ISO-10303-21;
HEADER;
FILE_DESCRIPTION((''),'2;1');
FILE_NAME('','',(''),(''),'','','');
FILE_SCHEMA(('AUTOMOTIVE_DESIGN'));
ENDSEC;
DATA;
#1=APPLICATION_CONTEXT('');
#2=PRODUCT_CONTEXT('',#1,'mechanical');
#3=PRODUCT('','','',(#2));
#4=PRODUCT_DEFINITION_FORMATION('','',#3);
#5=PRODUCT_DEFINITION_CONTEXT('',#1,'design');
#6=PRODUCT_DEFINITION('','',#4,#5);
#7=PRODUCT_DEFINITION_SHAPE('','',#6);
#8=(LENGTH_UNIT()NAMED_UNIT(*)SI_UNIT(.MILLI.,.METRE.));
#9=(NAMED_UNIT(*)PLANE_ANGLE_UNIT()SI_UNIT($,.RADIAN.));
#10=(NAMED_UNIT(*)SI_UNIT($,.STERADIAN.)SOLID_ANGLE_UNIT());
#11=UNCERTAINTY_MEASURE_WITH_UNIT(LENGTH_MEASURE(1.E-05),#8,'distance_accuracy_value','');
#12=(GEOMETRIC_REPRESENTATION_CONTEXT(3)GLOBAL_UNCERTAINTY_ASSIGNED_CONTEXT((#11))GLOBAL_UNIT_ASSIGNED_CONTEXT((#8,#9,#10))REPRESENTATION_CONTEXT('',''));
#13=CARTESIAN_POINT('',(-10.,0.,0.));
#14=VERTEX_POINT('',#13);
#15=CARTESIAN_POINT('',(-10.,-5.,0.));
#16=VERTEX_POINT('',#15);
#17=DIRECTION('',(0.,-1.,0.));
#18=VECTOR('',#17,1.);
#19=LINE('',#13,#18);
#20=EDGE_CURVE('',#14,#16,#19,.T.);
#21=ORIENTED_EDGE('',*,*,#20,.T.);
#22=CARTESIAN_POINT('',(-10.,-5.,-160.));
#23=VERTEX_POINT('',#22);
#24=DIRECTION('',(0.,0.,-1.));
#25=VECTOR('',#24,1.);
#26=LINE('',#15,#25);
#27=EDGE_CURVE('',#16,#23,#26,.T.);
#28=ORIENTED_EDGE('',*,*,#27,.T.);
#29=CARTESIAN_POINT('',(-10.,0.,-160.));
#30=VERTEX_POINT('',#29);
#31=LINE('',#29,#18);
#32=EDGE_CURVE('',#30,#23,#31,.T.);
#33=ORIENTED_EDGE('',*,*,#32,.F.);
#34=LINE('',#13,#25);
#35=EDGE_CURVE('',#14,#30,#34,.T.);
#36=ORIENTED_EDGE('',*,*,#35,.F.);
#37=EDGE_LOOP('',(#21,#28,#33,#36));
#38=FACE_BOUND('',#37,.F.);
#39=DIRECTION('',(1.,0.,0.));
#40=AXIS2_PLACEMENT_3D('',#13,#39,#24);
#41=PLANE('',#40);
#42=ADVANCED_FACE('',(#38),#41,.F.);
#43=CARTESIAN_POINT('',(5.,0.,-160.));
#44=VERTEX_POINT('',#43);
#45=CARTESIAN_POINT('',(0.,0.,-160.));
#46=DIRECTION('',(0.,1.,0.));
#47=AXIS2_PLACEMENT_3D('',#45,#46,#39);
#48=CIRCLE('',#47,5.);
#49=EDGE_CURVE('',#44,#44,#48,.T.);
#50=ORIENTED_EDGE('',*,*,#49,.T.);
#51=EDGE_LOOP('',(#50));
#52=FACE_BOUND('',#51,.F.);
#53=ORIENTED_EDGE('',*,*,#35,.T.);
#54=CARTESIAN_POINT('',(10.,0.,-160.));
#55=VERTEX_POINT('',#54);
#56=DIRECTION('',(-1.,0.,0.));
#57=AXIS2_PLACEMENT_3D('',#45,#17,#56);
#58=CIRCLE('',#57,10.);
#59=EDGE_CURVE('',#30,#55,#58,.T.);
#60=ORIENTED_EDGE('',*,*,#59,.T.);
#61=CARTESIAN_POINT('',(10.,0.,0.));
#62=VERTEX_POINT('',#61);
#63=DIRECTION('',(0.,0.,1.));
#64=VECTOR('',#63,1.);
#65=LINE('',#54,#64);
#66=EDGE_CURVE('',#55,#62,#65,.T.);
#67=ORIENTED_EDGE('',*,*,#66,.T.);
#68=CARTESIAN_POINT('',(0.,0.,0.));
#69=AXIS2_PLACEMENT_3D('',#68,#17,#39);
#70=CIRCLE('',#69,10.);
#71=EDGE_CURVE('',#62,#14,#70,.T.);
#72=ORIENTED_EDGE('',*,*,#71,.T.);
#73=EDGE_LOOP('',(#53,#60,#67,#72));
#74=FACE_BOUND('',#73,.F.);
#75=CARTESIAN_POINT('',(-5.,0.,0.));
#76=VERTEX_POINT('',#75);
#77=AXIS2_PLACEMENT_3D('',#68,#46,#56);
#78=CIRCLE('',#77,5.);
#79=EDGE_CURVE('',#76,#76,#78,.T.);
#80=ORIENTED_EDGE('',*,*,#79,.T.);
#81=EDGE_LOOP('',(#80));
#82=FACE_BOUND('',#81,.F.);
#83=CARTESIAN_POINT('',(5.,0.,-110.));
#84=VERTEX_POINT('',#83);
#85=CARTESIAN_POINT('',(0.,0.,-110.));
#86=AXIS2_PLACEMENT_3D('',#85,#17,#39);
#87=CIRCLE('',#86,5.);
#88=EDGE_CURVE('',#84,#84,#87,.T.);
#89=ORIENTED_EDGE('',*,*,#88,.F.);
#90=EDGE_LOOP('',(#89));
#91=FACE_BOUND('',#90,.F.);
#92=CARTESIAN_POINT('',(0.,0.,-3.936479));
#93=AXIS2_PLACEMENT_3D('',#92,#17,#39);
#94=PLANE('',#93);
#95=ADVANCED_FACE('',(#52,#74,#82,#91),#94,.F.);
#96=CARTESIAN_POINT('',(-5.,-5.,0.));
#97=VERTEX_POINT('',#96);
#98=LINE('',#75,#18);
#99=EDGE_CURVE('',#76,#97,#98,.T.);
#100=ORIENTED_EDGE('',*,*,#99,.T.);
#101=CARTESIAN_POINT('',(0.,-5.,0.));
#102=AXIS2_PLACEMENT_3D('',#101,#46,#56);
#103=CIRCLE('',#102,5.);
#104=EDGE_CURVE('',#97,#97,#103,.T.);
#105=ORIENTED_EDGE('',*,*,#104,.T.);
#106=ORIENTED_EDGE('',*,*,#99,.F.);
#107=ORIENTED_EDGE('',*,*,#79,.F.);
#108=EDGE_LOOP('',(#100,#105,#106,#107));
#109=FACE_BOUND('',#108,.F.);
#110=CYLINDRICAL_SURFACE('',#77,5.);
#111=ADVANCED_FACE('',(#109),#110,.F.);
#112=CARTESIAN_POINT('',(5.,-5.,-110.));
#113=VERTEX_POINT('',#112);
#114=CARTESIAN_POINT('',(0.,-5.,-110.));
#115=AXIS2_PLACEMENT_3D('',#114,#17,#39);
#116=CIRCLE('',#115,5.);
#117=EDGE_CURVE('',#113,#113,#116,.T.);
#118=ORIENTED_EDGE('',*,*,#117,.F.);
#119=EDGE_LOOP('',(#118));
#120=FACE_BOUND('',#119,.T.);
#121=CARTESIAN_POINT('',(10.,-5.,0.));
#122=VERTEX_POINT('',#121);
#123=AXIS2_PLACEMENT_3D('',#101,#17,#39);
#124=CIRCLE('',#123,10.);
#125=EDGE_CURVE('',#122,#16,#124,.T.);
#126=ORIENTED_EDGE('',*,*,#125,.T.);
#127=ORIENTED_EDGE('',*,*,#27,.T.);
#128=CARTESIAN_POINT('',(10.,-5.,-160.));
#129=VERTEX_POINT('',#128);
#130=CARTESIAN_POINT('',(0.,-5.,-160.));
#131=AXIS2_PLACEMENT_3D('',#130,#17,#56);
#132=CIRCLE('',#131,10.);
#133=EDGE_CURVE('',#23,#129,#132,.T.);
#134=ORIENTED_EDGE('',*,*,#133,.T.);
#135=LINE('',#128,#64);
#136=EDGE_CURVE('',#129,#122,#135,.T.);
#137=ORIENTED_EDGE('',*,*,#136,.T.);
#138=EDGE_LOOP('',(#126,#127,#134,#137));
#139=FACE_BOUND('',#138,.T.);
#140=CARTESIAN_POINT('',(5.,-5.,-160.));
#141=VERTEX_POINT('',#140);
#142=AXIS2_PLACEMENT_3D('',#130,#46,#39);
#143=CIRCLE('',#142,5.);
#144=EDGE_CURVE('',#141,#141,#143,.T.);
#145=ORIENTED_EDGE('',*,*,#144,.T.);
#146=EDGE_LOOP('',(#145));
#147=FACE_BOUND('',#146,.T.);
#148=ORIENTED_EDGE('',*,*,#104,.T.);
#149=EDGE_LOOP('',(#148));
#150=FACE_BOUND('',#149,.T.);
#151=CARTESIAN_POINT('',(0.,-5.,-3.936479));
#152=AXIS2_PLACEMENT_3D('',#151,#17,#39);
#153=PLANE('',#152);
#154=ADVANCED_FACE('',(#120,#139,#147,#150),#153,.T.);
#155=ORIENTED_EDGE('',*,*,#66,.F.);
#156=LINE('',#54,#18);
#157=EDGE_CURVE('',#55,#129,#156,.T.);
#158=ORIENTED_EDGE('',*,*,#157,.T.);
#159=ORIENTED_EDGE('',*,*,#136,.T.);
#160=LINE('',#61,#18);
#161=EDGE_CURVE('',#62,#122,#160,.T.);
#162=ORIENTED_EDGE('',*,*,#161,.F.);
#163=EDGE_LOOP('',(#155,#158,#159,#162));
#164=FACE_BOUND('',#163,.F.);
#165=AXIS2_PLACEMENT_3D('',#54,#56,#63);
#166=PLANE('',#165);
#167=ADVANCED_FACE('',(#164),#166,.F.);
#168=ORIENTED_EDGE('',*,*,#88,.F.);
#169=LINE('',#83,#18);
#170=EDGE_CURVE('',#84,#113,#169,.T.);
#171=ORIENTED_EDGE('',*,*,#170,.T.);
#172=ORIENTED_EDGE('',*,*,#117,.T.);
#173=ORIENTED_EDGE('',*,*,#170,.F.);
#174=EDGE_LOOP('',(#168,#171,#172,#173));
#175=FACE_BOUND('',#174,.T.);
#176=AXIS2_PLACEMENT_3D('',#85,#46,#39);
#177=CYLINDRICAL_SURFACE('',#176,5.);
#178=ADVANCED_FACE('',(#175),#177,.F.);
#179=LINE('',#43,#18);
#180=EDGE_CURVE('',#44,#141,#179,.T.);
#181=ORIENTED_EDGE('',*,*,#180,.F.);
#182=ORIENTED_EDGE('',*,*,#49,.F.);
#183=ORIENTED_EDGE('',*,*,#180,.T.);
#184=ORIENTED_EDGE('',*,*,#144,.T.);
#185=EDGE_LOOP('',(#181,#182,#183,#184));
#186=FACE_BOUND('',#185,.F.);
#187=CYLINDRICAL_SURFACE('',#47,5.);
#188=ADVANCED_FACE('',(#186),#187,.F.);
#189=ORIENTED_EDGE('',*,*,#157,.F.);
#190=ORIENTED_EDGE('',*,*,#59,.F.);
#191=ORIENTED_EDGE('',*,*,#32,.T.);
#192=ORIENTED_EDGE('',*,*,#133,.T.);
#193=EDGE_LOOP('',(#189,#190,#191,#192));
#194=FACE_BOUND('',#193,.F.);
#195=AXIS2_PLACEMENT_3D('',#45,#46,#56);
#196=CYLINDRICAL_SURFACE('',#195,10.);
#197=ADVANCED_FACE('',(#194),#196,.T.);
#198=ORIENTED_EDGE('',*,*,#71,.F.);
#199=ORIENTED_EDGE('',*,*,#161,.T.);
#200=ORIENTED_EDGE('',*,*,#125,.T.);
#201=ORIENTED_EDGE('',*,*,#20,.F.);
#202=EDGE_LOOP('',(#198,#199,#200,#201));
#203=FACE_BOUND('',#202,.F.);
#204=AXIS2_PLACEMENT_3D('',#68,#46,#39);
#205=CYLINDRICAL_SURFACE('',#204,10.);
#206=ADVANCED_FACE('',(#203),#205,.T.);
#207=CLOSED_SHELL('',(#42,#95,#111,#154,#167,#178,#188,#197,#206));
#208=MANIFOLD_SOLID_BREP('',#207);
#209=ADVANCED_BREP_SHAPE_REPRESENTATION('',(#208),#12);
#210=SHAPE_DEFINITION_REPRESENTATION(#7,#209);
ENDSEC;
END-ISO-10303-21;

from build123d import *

# Parameters (mm, degrees)
F0_R     = 5
F1_DEPTH = 5


with BuildPart() as f1:
    # F0 (on Front) → F1 (new body)
    with BuildSketch(Plane.XZ):
        with BuildLine():
            Line((10, 0), (5, 0))
            ThreePointArc((5, 0), (0, -5), (-5, 0))
            Line((-5, 0), (-10, 0))
            ThreePointArc((-10, 0), (0, -10), (10, 0))
        make_face()
        with BuildLine():
            ThreePointArc((-5, 0), (0, 5), (5, 0))
            Line((5, 0), (10, 0))
            ThreePointArc((10, 0), (0, 10), (-10, 0))
            Line((-10, 0), (-5, 0))
        make_face()
        with BuildLine():
            Line((10, -160), (10, 0))
            ThreePointArc((10, 0), (0, -10), (-10, 0))
            Line((-10, 0), (-10, -160))
            ThreePointArc((-10, -160), (0, -150), (10, -160))
        make_face()
        with Locations((0, -110)):
            Circle(F0_R, mode=Mode.SUBTRACT)
        with BuildLine():
            ThreePointArc((-10, -160), (0, -170), (10, -160))
            Line((10, -160), (5, -160))
            ThreePointArc((5, -160), (0, -165), (-5, -160))
            Line((-5, -160), (-10, -160))
        make_face()
        with BuildLine():
            Line((5, -160), (10, -160))
            ThreePointArc((10, -160), (0, -150), (-10, -160))
            Line((-10, -160), (-5, -160))
            ThreePointArc((-5, -160), (0, -155), (5, -160))
        make_face()
    extrude(amount=F1_DEPTH)


solid = f1.part
